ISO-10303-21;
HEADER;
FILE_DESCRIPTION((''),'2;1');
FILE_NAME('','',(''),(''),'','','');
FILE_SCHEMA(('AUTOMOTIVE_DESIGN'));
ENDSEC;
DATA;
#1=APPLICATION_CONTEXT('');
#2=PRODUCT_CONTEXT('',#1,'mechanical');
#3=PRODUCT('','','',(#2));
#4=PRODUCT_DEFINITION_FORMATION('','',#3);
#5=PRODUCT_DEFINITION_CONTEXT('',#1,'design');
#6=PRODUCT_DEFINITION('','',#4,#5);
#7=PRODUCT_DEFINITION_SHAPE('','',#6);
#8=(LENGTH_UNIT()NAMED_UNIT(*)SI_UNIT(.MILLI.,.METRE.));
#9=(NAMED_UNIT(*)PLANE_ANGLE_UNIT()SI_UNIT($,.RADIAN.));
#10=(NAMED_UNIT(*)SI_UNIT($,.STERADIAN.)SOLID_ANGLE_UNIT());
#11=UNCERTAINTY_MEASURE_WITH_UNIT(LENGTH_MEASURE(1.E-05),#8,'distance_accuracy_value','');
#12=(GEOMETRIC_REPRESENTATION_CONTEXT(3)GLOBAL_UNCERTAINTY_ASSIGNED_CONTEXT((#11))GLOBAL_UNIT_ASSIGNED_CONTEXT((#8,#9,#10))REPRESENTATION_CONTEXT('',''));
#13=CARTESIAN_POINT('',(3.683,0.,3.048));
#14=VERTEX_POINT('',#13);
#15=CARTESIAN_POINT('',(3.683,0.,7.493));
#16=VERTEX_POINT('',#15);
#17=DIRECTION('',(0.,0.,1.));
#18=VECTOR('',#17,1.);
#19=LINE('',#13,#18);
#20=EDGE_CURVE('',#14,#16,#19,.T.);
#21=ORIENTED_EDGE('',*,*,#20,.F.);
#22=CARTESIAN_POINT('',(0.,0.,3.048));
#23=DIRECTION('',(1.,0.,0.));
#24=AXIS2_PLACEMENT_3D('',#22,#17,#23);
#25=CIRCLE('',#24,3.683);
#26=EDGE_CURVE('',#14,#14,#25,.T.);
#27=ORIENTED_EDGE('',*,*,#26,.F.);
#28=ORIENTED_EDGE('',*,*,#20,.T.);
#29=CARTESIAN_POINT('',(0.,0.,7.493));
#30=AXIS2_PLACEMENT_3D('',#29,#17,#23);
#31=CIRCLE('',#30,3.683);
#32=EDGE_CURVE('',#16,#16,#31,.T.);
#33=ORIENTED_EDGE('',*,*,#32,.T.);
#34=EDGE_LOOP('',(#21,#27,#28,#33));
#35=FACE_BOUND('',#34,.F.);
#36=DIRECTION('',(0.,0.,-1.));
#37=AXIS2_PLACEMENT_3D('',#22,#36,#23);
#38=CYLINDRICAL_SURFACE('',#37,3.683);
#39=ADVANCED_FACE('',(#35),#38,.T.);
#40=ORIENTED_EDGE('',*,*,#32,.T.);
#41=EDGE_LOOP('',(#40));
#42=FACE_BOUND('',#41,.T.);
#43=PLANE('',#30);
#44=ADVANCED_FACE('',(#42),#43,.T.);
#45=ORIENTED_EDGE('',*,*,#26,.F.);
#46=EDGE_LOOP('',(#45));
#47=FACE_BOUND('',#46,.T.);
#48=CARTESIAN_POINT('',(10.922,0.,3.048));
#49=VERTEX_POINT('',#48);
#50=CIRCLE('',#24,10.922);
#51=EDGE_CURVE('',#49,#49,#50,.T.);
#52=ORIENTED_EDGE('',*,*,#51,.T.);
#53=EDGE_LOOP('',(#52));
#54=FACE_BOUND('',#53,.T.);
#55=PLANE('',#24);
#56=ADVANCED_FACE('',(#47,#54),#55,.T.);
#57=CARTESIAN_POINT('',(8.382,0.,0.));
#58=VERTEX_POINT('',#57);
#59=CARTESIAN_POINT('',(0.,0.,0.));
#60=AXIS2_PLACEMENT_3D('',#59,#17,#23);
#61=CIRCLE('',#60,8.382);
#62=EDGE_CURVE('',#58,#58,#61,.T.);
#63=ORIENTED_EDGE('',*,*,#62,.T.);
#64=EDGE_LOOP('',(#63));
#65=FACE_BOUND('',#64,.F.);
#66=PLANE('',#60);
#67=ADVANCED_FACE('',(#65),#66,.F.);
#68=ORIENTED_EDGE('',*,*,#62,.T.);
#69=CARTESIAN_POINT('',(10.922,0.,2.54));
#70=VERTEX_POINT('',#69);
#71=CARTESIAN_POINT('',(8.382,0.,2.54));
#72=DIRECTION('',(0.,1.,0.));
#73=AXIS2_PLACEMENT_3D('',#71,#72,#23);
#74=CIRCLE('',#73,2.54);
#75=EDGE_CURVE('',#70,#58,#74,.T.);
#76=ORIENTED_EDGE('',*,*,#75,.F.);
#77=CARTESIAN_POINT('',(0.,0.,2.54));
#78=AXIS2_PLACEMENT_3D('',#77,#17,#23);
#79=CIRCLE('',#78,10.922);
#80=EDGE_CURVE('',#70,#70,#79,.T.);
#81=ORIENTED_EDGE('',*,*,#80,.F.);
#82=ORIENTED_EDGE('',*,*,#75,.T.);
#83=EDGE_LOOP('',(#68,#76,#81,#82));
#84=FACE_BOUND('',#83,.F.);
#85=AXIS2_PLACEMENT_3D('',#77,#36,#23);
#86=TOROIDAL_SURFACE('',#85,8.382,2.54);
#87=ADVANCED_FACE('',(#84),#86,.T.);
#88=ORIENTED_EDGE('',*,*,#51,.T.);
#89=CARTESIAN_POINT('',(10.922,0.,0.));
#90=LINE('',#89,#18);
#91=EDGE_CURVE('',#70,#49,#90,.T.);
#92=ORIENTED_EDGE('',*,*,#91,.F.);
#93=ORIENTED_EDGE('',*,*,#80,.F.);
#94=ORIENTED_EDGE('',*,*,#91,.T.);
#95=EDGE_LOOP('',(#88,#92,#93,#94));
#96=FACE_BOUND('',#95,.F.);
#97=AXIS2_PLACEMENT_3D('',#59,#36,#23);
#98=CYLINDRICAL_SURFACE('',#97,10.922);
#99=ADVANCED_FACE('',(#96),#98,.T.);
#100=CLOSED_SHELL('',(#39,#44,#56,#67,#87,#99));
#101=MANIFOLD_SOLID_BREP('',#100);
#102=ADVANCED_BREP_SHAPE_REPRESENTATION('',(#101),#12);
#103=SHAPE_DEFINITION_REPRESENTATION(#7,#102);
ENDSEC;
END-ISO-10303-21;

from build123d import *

# Parameters (mm, degrees)
F0_R     = 10.922
F1_DEPTH = 3.048
F2_R     = 2.54
F3_R     = 3.683
F4_DEPTH = 4.445


with BuildPart() as f1:
    # F0 (on Top) → F1 (new body)
    with BuildSketch(Plane.XY):
        Circle(F0_R)
    extrude(amount=F1_DEPTH)

    # F2
    f2_edges = [f1.edges().sort_by_distance(p)[0] for p in [
        (-10.922, 0, 0),
    ]]
    fillet(f2_edges, radius=F2_R)

    # F3 (on face) → F4 (join)
    with BuildSketch(Plane.XY.offset(3.048)):
        Circle(F3_R)
    extrude(amount=F4_DEPTH)


solid = f1.part
